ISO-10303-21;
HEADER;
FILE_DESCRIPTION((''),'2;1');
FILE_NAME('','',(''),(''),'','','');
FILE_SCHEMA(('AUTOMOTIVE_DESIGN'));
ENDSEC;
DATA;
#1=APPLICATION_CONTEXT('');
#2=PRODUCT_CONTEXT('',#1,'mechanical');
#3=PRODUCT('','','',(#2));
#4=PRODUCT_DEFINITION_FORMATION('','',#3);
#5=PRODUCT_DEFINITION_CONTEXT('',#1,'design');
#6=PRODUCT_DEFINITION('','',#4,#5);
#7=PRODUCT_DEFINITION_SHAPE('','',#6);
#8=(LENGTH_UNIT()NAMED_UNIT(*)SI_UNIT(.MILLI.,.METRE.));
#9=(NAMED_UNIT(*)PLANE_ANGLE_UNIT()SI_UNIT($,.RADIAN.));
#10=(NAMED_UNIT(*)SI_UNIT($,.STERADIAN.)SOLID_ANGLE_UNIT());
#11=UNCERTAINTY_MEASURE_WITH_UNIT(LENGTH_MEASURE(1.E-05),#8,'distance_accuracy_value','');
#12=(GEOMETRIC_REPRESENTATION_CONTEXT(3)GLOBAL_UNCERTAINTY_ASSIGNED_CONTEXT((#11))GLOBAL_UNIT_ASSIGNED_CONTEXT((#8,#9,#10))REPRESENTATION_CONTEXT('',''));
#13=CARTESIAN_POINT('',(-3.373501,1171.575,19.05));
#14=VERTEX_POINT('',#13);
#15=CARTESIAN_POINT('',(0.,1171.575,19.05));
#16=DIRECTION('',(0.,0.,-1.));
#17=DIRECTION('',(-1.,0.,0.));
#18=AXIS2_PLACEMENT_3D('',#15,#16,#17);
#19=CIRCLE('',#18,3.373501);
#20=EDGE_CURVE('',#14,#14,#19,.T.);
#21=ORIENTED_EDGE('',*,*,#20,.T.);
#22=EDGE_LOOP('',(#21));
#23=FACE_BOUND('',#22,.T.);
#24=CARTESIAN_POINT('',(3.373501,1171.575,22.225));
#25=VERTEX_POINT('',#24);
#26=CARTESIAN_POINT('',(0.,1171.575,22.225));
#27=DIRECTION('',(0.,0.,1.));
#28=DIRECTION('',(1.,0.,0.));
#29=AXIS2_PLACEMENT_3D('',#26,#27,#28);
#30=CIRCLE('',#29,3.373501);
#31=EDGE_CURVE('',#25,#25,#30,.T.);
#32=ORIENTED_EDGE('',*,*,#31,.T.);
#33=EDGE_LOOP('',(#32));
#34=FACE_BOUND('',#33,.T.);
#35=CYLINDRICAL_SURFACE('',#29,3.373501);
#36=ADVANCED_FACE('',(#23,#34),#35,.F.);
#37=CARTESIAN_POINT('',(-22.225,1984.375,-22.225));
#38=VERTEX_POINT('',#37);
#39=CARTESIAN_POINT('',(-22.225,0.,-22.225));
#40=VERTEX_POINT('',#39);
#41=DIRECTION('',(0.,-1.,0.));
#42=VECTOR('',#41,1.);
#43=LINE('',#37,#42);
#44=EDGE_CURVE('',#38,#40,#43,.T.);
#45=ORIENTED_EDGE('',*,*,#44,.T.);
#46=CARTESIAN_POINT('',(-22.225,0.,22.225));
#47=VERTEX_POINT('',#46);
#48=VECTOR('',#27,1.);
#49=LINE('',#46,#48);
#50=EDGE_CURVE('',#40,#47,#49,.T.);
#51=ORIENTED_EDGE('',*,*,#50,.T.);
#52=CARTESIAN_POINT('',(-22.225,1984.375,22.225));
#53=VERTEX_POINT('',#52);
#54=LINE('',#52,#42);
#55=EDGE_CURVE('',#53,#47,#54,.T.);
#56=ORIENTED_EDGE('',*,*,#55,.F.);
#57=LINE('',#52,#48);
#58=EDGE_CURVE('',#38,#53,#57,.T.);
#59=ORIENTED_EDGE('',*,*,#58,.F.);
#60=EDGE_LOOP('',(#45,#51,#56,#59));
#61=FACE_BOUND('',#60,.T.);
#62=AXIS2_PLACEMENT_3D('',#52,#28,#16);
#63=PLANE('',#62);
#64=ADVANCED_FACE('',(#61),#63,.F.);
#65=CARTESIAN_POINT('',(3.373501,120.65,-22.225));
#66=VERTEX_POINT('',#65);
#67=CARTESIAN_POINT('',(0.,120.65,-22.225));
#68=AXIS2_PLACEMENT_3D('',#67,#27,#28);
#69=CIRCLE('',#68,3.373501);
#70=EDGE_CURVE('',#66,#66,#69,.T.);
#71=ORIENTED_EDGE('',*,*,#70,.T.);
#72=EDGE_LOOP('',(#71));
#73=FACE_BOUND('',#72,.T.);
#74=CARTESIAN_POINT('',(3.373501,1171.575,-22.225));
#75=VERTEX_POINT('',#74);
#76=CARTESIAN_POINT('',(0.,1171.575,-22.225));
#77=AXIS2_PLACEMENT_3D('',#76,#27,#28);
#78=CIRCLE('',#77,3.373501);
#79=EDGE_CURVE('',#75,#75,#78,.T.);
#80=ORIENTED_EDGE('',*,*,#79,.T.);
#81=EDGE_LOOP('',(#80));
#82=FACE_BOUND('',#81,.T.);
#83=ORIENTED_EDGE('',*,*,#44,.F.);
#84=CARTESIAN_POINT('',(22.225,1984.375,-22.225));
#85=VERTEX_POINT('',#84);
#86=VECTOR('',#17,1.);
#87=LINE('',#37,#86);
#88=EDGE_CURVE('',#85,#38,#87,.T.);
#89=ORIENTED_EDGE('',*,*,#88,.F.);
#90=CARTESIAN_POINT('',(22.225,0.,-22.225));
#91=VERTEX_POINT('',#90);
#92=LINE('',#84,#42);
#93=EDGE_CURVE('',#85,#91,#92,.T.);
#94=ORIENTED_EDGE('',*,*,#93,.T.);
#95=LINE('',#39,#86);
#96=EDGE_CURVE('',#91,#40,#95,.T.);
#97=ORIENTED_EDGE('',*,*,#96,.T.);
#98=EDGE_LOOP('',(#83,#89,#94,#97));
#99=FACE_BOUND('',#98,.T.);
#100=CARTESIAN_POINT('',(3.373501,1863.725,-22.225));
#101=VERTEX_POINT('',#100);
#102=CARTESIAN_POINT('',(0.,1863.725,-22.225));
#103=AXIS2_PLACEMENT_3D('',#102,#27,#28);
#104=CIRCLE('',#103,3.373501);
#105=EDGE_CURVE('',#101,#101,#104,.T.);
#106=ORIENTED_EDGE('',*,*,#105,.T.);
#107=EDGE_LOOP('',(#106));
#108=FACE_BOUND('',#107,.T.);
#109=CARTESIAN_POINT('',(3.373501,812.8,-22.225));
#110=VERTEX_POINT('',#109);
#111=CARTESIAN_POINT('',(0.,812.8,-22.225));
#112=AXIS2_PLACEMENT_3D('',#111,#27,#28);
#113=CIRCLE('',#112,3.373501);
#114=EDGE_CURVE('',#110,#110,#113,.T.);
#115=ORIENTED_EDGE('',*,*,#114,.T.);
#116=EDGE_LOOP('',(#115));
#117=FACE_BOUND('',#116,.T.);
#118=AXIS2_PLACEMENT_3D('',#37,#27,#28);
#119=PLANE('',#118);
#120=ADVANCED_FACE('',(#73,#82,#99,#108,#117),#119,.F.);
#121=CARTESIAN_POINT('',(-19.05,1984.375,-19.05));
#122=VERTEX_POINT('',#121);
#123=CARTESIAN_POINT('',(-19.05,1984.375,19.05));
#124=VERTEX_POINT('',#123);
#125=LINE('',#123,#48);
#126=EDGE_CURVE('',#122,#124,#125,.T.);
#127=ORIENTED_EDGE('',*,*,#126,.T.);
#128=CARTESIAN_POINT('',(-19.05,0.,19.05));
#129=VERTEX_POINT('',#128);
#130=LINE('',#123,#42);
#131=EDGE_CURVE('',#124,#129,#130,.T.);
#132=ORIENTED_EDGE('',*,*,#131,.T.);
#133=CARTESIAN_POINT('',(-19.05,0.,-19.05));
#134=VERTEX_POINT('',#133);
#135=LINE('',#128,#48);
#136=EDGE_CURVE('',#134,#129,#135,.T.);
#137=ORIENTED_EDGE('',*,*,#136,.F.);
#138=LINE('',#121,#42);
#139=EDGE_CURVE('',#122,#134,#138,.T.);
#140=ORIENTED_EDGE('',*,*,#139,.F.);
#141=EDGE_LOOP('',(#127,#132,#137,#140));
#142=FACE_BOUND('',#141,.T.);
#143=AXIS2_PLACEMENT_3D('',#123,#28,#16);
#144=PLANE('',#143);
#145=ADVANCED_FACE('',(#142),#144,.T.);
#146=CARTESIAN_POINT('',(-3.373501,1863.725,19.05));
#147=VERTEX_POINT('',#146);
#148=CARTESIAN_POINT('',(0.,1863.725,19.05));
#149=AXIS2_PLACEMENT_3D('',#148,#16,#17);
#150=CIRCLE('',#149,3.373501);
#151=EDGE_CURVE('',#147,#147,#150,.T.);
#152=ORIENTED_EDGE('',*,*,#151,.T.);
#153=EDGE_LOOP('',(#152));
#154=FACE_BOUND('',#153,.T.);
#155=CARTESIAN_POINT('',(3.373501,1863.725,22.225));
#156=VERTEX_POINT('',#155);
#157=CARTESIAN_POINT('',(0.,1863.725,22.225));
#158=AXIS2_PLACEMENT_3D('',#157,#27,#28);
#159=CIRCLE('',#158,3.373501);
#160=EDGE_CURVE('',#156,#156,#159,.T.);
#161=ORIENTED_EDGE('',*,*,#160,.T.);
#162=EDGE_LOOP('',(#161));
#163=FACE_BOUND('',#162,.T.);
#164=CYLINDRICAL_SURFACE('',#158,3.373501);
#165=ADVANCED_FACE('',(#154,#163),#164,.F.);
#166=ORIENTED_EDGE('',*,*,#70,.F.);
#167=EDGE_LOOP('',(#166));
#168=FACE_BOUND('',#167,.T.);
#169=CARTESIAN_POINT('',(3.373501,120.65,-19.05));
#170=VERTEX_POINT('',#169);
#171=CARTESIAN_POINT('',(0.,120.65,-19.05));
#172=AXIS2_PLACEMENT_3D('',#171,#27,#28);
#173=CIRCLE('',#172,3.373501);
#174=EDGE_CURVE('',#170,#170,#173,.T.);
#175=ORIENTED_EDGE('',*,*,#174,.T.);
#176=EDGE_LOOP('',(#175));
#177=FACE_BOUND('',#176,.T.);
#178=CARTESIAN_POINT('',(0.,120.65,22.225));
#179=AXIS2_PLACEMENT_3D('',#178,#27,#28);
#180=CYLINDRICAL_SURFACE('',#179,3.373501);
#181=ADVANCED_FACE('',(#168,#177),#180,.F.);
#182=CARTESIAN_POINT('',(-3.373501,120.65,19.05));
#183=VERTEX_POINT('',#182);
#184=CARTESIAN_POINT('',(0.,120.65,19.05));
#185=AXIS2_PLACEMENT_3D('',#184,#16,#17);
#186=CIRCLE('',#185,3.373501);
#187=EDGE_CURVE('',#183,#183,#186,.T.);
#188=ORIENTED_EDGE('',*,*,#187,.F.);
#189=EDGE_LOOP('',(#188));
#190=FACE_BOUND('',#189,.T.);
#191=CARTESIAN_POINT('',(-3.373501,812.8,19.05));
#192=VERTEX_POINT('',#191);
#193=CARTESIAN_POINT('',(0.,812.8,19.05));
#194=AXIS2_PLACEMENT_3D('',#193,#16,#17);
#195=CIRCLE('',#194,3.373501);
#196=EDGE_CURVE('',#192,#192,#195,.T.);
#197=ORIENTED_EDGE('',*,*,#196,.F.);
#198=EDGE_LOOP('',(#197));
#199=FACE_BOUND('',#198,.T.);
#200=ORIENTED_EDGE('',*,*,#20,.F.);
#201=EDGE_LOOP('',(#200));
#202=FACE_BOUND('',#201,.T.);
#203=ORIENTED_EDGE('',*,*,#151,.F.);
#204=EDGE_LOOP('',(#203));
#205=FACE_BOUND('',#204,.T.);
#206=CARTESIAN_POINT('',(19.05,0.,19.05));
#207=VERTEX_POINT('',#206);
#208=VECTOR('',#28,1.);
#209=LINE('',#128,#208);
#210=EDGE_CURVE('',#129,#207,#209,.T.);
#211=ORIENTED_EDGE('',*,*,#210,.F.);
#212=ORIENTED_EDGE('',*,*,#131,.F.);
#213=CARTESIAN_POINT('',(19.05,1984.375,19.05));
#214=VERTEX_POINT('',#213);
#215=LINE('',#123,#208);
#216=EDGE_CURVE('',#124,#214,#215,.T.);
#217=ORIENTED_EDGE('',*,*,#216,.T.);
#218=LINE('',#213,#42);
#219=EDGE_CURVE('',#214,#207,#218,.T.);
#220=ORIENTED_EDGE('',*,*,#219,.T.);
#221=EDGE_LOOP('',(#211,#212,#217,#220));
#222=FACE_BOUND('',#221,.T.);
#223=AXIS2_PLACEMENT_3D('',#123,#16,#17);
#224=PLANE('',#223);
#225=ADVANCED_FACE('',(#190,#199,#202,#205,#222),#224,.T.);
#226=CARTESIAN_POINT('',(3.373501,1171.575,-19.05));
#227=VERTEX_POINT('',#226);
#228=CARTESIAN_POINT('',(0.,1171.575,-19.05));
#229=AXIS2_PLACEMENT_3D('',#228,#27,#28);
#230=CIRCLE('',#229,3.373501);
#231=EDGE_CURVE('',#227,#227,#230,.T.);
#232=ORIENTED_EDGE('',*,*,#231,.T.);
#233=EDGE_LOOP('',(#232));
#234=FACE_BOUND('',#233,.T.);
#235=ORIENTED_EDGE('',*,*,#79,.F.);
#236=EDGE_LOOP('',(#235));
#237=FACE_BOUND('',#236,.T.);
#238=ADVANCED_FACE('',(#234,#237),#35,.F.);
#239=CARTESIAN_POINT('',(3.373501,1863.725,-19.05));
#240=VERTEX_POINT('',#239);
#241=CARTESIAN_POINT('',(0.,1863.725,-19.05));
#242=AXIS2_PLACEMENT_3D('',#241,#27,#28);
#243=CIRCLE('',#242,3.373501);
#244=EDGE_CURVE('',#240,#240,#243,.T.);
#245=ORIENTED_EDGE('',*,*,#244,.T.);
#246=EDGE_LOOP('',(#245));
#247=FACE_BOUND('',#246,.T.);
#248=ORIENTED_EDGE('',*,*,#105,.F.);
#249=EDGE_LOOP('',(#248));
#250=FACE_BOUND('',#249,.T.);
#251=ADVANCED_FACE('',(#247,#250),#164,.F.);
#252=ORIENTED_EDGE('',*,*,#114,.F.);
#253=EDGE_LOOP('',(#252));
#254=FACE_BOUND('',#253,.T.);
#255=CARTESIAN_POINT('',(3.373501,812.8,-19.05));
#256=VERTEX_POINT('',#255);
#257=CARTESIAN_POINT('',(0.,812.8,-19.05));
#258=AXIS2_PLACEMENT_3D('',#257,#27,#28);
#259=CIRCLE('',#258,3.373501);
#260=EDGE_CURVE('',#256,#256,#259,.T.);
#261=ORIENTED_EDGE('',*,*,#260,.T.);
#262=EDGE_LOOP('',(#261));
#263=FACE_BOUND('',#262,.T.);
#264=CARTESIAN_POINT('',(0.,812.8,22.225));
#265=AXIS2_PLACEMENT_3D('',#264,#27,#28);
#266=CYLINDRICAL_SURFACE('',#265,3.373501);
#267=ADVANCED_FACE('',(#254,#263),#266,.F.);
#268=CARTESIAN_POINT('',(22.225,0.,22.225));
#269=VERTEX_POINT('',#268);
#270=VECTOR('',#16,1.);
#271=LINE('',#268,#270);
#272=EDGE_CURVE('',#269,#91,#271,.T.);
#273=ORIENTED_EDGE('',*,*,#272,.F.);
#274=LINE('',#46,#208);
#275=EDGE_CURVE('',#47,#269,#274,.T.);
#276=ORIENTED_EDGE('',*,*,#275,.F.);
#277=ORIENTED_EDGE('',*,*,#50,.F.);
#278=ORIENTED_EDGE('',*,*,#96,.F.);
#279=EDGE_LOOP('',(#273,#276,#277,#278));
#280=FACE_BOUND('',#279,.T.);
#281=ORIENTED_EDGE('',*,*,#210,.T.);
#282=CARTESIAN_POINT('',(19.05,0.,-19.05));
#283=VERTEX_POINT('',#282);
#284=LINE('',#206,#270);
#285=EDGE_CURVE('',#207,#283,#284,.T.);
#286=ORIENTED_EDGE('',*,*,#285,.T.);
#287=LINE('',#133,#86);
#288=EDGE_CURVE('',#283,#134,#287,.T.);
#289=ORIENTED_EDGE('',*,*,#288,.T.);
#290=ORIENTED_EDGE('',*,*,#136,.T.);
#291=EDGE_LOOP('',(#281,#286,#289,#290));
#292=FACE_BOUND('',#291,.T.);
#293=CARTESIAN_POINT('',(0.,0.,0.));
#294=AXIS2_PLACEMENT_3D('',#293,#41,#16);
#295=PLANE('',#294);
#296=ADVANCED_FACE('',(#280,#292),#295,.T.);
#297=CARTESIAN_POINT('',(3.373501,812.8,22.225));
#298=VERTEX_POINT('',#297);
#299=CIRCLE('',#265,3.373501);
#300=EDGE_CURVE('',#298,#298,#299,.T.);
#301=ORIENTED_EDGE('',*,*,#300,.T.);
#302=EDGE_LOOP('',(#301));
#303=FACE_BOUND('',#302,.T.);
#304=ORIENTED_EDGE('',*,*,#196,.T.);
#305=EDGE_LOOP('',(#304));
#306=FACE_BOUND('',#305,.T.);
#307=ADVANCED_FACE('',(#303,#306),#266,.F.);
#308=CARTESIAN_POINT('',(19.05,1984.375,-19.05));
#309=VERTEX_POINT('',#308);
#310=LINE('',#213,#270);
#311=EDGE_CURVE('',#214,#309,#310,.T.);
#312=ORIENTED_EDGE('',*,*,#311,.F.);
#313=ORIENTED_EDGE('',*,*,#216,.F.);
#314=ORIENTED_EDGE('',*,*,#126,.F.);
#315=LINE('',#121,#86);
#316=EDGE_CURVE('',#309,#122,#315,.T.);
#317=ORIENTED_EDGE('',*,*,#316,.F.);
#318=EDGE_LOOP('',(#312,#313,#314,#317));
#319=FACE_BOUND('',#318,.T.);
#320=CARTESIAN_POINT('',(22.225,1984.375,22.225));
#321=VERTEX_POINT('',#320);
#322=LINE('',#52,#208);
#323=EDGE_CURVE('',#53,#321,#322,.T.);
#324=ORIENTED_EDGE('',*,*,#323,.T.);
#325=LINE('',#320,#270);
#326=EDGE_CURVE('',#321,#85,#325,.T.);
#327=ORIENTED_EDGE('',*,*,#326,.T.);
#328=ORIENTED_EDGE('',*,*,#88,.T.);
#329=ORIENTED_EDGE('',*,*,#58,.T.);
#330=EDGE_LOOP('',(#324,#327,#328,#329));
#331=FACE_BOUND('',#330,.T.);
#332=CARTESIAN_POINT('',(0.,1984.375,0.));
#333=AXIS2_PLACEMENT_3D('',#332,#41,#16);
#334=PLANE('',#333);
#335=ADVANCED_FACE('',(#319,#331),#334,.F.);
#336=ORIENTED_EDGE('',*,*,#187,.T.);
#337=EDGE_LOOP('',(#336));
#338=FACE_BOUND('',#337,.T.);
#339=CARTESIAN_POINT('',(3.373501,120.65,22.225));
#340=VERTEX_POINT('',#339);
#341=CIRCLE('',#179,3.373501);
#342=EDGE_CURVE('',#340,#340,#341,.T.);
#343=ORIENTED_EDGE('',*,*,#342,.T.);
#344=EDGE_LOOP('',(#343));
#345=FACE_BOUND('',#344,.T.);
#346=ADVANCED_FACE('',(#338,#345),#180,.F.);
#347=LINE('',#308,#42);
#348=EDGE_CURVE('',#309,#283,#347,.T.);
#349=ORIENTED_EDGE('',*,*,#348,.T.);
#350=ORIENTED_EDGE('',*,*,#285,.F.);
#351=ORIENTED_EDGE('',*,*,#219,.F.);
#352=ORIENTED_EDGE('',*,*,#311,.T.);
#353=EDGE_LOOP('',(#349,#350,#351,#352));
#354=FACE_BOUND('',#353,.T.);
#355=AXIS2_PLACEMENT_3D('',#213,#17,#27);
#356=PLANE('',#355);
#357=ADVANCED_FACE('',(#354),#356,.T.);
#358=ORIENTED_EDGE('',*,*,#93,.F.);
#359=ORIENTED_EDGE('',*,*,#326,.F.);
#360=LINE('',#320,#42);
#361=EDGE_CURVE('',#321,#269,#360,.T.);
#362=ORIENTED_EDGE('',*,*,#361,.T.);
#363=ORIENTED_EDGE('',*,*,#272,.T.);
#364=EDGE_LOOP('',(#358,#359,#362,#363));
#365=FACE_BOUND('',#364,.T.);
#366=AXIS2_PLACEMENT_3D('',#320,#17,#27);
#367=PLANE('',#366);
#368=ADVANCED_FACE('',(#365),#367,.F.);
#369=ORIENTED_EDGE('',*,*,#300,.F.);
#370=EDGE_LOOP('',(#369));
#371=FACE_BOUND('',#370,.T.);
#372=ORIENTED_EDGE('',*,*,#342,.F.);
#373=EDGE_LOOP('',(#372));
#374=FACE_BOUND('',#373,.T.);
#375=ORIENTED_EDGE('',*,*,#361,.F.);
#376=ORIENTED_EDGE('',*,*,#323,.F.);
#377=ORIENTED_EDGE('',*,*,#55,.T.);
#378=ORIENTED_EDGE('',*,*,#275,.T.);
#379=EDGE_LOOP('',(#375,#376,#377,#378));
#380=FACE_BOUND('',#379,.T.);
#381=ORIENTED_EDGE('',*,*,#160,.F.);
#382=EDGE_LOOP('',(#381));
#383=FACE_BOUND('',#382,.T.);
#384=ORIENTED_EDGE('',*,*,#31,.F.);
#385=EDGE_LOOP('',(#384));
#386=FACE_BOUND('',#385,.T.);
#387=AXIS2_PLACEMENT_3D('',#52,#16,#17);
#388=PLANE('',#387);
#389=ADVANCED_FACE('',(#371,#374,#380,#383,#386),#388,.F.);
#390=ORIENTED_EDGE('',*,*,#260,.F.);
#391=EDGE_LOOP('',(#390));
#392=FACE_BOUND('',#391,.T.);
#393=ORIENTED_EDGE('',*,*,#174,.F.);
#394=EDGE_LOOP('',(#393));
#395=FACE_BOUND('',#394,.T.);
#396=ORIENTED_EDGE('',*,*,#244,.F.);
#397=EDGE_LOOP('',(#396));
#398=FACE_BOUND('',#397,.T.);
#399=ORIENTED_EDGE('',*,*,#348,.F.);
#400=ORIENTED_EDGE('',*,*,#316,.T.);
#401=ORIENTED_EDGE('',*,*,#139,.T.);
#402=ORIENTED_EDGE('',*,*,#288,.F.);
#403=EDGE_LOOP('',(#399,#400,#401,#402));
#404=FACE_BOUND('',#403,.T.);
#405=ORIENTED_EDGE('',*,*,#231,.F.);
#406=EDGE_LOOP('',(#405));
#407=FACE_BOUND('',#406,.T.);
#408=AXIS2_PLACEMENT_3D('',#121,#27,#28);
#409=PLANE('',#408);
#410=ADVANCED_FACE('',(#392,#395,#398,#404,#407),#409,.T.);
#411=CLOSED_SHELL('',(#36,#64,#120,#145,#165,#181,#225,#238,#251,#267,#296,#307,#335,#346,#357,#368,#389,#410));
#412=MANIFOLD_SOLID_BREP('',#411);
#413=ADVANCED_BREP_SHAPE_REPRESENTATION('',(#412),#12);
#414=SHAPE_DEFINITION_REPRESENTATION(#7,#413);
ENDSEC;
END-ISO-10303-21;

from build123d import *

# Parameters (mm, degrees)
SKETCH1_W                        = 44.45
SKETCH1_H                        = 44.45
SKETCH1_W_2                      = 38.1
SKETCH1_H_2                      = 38.1
BOSS_EXTRUDE1_DEPTH              = 1984.375
F_17_64_0_26563_DIAMETER_HOLE1_D = 6.747002


with BuildPart() as part:
    # Sketch1 → Boss-Extrude1 (new body)
    with BuildSketch(Plane(origin=(0, 0, 0), x_dir=(1, 0, 0), z_dir=(0, 1, 0))):
        Rectangle(SKETCH1_W, SKETCH1_H)
        Rectangle(SKETCH1_W_2, SKETCH1_H_2, mode=Mode.SUBTRACT)
    extrude(amount=BOSS_EXTRUDE1_DEPTH)

    # 17/64 (0.26563) Diameter Hole1 (through all)
    with Locations(Plane.XY.offset(22.225)):
        with Locations((0, 812.8), (0, 120.65), (0, 1171.575), (0, 1863.725)):
            Hole(F_17_64_0_26563_DIAMETER_HOLE1_D / 2)


solid = part.part
